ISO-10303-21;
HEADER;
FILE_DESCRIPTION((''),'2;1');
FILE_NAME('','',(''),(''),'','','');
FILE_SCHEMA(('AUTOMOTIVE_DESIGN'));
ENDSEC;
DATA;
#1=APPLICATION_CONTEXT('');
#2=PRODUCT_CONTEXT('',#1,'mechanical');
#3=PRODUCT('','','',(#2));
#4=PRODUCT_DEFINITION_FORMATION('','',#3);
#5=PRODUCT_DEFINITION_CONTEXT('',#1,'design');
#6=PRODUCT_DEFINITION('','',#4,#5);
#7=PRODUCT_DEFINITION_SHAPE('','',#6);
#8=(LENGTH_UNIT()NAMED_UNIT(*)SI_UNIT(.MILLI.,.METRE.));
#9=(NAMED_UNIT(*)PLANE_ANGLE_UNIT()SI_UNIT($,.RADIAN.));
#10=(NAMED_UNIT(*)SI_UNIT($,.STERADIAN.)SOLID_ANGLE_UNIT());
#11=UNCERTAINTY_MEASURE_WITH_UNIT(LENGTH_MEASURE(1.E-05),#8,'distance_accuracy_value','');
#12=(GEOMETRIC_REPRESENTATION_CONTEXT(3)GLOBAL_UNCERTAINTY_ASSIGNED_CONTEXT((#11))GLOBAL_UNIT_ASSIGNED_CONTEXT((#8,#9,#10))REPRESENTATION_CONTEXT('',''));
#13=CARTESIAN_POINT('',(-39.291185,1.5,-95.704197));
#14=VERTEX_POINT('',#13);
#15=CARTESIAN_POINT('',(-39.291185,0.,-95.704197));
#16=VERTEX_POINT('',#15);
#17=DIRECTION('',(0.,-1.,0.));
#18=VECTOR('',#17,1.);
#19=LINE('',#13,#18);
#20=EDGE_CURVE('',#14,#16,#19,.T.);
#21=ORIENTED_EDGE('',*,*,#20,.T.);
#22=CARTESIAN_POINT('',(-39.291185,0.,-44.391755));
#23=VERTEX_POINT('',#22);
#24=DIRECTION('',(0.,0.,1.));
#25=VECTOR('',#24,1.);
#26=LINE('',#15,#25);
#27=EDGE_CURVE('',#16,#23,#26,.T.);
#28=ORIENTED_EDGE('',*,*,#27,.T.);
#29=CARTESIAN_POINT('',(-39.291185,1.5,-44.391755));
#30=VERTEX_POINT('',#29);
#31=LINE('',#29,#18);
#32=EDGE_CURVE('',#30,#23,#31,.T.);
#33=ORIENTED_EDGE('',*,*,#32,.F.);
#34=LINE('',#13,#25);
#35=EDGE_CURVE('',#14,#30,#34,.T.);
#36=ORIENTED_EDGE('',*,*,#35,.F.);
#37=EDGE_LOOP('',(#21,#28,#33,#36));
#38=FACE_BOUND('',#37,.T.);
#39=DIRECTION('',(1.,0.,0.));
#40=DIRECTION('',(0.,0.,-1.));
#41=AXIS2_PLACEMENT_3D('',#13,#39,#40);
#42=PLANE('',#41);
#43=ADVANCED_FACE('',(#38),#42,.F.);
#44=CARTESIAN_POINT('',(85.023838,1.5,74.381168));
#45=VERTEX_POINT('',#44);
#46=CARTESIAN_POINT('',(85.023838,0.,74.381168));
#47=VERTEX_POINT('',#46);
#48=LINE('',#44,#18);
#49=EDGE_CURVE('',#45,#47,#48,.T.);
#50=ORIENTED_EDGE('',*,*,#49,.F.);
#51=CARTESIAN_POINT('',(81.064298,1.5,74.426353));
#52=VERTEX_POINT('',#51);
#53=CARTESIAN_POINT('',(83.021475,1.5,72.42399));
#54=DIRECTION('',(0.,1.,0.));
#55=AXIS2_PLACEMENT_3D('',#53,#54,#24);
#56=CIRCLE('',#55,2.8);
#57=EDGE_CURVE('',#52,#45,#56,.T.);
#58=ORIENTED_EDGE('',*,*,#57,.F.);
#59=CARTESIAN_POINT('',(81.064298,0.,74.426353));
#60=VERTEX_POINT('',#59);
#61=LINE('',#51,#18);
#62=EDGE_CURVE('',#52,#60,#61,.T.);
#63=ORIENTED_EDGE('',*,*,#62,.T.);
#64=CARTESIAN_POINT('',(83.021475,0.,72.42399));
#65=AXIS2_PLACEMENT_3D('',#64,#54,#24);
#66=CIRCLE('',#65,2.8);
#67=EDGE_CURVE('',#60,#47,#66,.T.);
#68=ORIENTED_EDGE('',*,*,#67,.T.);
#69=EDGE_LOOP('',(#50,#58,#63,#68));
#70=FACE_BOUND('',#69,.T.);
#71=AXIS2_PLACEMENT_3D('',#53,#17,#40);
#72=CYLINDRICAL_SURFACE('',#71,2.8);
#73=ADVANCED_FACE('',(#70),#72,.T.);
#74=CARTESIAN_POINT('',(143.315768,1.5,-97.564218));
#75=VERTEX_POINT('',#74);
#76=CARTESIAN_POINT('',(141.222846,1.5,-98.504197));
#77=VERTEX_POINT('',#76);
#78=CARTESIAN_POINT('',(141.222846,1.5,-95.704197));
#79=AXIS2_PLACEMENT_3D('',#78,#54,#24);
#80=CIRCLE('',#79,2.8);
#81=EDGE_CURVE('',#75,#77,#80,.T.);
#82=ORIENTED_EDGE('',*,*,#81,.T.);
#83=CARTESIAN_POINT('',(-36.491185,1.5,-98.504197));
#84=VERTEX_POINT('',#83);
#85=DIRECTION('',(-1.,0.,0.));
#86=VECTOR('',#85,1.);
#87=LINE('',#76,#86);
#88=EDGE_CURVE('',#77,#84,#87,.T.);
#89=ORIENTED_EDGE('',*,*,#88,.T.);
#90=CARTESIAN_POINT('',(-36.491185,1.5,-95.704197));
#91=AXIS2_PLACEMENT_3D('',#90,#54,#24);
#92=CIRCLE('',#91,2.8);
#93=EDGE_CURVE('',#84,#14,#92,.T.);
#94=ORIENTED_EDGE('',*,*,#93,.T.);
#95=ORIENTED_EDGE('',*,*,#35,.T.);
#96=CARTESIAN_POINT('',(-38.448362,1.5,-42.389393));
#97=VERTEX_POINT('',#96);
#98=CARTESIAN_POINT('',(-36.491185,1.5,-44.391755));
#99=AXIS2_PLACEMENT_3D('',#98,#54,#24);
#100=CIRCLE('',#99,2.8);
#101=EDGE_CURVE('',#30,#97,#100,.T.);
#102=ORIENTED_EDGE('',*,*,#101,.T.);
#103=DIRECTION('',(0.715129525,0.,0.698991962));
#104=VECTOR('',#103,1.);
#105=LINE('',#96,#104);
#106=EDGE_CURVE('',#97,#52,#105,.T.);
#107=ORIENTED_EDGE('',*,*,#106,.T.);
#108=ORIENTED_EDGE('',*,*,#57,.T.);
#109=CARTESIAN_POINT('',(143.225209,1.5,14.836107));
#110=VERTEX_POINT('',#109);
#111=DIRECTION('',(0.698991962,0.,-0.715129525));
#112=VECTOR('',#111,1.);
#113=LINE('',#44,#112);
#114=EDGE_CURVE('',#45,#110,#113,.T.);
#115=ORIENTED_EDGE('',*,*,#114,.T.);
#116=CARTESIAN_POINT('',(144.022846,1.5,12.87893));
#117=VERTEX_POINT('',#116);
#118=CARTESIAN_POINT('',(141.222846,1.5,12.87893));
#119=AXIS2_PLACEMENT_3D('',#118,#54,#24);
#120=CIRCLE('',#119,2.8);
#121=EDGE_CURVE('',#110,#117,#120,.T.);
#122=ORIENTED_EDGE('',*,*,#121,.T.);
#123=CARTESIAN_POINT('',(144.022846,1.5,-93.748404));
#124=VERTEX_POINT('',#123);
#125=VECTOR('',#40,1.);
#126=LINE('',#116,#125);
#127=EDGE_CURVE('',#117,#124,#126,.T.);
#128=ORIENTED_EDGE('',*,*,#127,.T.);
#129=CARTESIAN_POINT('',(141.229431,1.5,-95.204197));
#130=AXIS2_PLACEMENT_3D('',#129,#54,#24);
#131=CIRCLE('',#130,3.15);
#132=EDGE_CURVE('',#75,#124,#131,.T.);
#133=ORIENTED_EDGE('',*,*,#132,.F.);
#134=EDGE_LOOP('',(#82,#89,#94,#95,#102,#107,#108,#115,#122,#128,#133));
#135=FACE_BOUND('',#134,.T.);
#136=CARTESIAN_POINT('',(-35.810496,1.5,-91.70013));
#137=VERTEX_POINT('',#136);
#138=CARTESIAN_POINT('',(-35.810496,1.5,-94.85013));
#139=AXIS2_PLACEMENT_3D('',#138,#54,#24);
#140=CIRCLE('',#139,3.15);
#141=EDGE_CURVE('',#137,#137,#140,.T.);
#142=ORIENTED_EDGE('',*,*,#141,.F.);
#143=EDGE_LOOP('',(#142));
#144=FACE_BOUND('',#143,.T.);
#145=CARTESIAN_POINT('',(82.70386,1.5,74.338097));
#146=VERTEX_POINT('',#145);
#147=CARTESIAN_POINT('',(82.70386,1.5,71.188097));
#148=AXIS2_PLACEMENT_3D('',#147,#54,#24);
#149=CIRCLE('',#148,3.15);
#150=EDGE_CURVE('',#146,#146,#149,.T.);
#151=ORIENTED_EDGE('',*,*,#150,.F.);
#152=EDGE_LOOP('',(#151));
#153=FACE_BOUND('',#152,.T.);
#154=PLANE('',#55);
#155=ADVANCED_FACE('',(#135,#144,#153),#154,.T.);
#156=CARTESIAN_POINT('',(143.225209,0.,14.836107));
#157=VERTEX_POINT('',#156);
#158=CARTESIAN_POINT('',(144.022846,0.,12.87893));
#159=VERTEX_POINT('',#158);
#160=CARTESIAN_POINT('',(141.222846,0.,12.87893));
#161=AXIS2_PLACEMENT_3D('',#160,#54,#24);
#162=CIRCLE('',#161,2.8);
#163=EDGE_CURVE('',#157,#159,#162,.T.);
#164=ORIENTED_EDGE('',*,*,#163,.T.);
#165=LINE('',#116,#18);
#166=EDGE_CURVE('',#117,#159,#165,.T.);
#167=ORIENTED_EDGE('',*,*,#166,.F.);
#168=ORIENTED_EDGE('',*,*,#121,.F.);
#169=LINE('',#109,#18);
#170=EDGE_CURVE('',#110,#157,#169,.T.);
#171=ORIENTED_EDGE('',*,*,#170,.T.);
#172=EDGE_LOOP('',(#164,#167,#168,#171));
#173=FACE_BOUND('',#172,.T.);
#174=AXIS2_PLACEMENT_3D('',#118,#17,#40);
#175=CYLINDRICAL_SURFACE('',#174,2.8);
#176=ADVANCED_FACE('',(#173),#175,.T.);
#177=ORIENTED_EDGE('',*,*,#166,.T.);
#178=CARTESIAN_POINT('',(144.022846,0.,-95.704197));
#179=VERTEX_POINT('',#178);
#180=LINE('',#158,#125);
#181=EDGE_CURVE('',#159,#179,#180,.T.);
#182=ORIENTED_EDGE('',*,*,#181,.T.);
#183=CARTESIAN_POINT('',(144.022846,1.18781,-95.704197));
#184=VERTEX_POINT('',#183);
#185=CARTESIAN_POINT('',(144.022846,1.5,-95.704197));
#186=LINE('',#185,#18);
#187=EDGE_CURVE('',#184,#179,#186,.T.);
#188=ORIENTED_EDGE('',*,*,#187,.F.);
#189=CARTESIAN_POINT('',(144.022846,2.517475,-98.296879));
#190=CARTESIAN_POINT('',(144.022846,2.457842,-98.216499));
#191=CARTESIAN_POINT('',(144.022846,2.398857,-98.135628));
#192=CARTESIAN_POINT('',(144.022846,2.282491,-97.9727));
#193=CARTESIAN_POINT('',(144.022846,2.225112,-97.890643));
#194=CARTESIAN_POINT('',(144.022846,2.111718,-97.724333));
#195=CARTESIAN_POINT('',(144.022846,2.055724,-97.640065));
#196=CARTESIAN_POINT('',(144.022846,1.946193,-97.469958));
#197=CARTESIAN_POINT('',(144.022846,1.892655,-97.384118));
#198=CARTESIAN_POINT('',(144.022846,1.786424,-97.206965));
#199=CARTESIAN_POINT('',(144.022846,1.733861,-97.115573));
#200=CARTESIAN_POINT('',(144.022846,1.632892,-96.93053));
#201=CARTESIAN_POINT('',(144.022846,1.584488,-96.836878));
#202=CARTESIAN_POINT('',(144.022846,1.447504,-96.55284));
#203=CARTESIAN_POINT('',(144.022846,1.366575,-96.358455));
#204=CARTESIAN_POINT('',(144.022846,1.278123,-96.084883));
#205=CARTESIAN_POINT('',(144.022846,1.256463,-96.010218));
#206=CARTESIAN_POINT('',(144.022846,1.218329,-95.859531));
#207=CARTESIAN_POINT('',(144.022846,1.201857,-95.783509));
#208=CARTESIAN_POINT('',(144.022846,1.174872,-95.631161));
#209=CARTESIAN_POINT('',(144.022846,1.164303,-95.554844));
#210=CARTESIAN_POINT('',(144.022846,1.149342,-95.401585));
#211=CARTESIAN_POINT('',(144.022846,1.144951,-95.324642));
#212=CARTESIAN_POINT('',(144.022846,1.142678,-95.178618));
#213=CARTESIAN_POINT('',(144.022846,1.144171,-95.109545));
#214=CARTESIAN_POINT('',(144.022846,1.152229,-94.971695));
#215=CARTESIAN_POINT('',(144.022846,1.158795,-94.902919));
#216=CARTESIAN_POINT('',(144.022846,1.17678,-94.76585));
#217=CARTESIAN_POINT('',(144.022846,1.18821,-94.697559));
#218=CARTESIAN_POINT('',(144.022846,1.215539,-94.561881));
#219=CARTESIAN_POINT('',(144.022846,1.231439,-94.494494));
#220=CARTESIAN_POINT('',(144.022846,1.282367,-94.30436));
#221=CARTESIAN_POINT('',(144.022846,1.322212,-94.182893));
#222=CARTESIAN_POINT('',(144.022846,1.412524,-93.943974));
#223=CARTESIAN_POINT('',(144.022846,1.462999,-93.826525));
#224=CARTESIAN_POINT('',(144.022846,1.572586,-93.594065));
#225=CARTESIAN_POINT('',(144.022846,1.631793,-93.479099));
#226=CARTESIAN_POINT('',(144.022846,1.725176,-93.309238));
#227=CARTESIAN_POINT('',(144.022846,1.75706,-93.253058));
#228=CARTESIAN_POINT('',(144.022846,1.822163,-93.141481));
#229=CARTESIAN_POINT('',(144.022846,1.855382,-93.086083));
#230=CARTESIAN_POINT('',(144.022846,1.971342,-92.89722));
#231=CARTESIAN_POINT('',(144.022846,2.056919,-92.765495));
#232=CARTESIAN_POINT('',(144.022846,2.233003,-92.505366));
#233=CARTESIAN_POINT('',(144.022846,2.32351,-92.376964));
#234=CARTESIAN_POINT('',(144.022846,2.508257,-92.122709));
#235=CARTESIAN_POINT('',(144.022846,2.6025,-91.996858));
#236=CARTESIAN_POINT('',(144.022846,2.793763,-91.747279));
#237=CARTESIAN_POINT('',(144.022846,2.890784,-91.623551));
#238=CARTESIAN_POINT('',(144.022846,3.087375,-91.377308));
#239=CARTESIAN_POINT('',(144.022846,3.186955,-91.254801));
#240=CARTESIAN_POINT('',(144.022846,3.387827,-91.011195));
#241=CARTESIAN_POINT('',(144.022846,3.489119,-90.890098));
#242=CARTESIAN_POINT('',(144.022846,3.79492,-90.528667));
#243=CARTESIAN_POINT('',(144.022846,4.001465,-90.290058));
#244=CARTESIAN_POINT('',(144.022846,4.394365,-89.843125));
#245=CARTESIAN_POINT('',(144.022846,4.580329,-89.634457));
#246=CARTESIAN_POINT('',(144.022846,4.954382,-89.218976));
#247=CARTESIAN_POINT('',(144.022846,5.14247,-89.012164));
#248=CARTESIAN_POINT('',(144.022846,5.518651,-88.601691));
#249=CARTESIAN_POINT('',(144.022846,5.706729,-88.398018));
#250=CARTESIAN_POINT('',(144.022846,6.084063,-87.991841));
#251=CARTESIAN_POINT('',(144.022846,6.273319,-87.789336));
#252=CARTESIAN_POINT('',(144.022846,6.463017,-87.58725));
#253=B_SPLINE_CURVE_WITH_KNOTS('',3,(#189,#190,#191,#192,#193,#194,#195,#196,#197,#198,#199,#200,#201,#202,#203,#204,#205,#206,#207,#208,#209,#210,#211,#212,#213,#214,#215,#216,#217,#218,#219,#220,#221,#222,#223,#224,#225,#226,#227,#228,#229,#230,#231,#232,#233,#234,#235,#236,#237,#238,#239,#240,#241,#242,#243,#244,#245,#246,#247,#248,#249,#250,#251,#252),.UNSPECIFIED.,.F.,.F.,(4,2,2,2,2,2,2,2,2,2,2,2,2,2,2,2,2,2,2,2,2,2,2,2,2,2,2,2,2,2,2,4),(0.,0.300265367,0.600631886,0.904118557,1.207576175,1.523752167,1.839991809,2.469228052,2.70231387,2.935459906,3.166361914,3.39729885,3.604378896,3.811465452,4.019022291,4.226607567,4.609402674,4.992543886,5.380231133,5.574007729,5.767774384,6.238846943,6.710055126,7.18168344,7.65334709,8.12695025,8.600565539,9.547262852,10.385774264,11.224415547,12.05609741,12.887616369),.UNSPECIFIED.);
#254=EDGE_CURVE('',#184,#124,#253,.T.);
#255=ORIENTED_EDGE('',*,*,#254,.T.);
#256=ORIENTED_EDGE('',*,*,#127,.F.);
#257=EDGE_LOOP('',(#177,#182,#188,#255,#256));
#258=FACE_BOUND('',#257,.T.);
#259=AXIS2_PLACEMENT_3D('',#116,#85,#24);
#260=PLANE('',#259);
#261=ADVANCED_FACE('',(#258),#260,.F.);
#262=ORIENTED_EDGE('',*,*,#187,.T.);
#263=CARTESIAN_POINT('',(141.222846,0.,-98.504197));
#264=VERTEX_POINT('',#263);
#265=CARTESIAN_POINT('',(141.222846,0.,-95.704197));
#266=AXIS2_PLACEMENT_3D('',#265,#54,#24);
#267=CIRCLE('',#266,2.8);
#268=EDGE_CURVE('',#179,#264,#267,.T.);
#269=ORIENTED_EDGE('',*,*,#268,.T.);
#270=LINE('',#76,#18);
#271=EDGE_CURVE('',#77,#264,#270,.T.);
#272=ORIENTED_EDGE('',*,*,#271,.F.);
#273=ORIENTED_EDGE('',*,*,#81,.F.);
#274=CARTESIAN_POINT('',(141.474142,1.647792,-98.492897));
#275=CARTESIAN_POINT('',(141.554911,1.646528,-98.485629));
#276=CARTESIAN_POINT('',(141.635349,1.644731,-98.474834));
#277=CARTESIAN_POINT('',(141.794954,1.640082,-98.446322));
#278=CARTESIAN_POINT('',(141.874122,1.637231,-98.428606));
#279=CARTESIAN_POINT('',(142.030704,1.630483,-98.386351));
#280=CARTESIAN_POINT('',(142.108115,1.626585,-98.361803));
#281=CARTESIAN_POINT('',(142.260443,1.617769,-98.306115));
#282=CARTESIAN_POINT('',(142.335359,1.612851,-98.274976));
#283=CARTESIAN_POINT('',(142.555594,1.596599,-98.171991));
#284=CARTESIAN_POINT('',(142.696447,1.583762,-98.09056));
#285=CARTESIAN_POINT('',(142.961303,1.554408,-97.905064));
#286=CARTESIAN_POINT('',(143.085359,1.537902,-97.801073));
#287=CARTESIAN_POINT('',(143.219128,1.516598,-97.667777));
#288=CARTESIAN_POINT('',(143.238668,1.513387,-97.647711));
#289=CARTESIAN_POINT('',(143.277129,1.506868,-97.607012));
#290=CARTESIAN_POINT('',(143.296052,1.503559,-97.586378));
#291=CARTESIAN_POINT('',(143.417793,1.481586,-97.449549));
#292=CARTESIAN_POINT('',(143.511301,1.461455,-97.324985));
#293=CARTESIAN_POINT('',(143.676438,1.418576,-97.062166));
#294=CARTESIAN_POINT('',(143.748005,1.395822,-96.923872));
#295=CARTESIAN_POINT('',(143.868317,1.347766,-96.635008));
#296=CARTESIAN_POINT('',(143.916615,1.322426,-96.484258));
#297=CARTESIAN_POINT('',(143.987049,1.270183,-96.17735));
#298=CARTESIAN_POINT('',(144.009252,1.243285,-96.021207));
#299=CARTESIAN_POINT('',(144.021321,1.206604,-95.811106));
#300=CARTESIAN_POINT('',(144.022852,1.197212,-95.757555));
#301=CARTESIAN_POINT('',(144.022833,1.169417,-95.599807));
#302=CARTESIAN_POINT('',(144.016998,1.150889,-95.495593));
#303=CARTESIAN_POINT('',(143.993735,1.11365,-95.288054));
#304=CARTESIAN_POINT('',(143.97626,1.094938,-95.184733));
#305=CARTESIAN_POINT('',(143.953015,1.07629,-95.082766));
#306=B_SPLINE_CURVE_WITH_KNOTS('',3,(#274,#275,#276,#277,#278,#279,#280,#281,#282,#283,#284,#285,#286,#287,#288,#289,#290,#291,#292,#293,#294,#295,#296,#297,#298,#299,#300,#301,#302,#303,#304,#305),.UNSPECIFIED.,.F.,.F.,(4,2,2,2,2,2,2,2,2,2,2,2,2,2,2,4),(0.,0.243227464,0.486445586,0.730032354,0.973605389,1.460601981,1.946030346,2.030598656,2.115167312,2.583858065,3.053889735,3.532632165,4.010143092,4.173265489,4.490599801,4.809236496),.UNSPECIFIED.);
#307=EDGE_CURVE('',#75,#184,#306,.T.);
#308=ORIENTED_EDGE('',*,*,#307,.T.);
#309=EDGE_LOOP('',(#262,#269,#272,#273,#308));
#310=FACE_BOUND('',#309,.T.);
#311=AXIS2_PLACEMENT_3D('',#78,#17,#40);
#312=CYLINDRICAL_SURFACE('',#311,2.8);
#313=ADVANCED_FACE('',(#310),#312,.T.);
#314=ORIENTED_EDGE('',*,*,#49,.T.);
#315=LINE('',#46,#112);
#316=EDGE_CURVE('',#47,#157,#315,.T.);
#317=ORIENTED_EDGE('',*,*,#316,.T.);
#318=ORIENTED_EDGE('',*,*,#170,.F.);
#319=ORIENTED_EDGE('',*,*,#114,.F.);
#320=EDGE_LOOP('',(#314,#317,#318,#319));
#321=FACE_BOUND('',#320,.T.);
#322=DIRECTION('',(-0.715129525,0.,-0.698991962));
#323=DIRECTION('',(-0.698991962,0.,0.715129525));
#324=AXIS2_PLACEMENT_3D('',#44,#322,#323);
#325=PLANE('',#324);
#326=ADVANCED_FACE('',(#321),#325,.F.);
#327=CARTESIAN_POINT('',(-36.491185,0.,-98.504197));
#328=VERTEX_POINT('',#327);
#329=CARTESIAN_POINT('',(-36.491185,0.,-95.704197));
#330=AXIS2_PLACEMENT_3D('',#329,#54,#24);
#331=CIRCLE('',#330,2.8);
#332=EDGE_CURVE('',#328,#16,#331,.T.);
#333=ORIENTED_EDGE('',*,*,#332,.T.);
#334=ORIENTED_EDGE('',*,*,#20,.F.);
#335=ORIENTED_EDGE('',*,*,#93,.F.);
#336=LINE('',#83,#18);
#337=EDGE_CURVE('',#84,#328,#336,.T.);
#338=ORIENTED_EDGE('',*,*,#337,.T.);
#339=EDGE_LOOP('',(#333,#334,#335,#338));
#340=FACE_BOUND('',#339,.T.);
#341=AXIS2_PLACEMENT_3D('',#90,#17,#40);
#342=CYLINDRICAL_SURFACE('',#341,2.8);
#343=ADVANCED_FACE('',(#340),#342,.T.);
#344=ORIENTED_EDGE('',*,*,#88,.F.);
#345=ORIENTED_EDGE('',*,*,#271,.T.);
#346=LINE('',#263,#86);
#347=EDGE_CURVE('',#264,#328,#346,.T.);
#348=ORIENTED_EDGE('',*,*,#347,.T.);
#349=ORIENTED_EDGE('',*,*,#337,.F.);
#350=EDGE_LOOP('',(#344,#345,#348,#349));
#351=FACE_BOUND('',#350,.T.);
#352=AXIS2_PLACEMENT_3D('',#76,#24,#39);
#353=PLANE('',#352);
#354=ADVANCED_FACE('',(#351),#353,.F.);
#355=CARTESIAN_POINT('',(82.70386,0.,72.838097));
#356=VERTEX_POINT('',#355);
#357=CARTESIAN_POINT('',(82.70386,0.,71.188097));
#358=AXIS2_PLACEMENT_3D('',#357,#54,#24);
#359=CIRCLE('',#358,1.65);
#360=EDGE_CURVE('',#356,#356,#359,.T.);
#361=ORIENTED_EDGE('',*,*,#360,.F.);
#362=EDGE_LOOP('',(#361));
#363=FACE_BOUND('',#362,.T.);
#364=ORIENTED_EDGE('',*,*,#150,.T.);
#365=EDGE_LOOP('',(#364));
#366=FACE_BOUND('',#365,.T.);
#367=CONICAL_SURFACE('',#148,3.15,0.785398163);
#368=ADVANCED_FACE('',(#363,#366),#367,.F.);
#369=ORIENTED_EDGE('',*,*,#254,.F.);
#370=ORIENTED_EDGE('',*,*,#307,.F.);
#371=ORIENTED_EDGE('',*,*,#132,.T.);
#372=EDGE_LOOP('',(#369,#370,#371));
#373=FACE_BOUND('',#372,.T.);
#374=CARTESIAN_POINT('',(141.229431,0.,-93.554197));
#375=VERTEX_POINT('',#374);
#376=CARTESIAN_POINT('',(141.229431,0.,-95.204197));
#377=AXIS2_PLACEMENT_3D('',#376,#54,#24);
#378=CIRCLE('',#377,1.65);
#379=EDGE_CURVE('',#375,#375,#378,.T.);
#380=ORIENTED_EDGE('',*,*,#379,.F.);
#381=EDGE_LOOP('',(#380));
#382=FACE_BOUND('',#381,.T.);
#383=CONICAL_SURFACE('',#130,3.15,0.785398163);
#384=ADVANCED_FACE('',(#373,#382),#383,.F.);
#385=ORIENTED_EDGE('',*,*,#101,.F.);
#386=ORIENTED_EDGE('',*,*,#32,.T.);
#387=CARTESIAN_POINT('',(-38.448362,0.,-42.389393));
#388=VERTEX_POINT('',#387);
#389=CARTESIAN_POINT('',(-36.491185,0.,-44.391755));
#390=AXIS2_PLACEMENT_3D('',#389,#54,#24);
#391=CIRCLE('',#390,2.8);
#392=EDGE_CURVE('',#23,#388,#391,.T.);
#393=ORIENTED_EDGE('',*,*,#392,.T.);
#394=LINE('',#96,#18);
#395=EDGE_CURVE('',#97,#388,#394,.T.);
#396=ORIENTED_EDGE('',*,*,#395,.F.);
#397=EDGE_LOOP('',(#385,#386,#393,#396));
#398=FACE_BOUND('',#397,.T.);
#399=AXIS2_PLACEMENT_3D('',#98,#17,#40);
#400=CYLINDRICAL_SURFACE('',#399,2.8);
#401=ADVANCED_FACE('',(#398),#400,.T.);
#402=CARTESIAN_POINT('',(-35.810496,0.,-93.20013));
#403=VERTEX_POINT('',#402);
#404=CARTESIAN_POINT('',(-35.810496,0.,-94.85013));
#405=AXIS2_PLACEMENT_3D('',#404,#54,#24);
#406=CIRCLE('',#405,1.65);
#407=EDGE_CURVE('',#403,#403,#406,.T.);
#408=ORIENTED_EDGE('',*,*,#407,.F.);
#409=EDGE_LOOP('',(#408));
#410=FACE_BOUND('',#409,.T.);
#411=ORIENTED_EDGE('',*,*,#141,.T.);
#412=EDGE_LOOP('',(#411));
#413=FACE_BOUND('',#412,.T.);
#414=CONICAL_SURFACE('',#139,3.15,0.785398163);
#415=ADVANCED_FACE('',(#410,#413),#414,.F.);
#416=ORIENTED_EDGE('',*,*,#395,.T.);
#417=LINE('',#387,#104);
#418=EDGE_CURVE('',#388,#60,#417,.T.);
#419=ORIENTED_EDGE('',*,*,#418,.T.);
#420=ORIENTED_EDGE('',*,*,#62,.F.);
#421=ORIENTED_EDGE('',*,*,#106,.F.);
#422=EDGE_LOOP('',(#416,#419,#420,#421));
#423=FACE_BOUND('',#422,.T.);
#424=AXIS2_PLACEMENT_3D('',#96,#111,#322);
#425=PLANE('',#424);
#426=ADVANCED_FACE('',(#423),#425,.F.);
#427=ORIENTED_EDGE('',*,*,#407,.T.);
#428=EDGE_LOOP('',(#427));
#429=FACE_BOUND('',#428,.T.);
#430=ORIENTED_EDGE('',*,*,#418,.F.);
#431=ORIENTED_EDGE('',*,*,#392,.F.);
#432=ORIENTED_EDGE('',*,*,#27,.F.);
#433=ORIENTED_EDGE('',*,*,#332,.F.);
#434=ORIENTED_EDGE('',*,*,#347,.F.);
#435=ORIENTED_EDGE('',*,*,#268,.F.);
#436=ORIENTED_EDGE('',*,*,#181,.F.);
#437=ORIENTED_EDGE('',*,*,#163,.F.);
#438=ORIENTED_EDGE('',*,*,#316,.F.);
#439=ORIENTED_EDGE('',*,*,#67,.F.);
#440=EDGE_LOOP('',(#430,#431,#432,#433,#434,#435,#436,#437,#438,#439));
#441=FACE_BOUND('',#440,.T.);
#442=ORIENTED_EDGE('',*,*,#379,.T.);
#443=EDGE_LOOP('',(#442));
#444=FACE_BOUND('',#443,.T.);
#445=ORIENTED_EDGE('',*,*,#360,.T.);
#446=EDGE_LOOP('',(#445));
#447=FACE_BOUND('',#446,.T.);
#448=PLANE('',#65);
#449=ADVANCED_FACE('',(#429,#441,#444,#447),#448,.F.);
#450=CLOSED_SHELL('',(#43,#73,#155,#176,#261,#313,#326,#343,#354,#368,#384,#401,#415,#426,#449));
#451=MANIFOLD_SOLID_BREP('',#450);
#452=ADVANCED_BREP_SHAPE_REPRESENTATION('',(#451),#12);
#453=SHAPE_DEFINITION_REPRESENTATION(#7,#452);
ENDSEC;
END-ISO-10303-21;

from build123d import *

# Parameters (mm, degrees)
BOSS_EXTRUDE2_DEPTH                            = 1.5
CSK_FOR_M3_FLAT_HEAD_MACHINE_SCREW1_AT_2_COUNT = 2
CSK_FOR_M3_FLAT_HEAD_MACHINE_SCREW1_AT_2_PITCH = 177.040281246
CSK_FOR_M3_FLAT_HEAD_MACHINE_SCREW1_AT_3_COUNT = 2
CSK_FOR_M3_FLAT_HEAD_MACHINE_SCREW1_AT_3_PITCH = 203.995944874


with BuildPart() as part:
    # Sketch1 → Boss-Extrude2 (new body)
    with BuildSketch(Plane(origin=(0, 0, 0), x_dir=(1, 0, 0), z_dir=(0, 1, 0))):
        with BuildLine():
            Line((85.023837811, -74.381167696), (143.225208545, -14.836107228))
            ThreePointArc((143.225208545, -14.836107228), (143.81578007, -13.935666345), (144.022845875, -12.878929736))
            Line((144.022845875, -12.878929736), (144.022845875, 95.704196999))
            ThreePointArc((144.022845875, 95.704196999), (143.202744862, 97.684095986), (141.222845875, 98.504196999))
            Line((141.222845875, 98.504196999), (-36.49118484, 98.504196999))
            ThreePointArc((-36.49118484, 98.504196999), (-38.471083828, 97.684095986), (-39.29118484, 95.704196999))
            Line((-39.29118484, 95.704196999), (-39.29118484, 44.391755323))
            ThreePointArc((-39.29118484, 44.391755323), (-39.071891815, 43.305499593), (-38.448362333, 42.389392653))
            Line((-38.448362333, 42.389392653), (81.064297648, -74.426352874))
            ThreePointArc((81.064297648, -74.426352874), (83.053425886, -75.223807903), (85.023837811, -74.381167696))
        make_face()
    extrude(amount=BOSS_EXTRUDE2_DEPTH)

    # Sketch3 → CSK for M3 Flat Head Machine Screw1 (revolve, cut)
    with BuildSketch(Plane(origin=(-35.810496246, 1.5, -94.85013004), x_dir=(0, 0, 1), z_dir=(1, 0, 0))):
        Polygon((0, 0), (0, 1.5), (1.6, 1.5), (1.6, 1.55), (3.15, 0), align=None)
    csk_for_m3_flat_head_machine_screw1 = revolve(axis=Axis((-35.810496246, 7.85, -94.85013004), (0, -1, 0)), mode=Mode.SUBTRACT)

    # CSK for M3 Flat Head Machine Screw1 at 2: CSK for M3 Flat Head Machine Screw1 ×2
    with Locations(*[Vector(0.999998, 0, -0.001999923) * (i * CSK_FOR_M3_FLAT_HEAD_MACHINE_SCREW1_AT_2_PITCH) for i in range(1, CSK_FOR_M3_FLAT_HEAD_MACHINE_SCREW1_AT_2_COUNT)]):
        add(csk_for_m3_flat_head_machine_screw1, mode=Mode.SUBTRACT)

    # CSK for M3 Flat Head Machine Screw1 at 3: CSK for M3 Flat Head Machine Screw1 ×2
    with Locations(*[Vector(0.580964274, 0, 0.813929058) * (i * CSK_FOR_M3_FLAT_HEAD_MACHINE_SCREW1_AT_3_PITCH) for i in range(1, CSK_FOR_M3_FLAT_HEAD_MACHINE_SCREW1_AT_3_COUNT)]):
        add(csk_for_m3_flat_head_machine_screw1, mode=Mode.SUBTRACT)


solid = part.part
